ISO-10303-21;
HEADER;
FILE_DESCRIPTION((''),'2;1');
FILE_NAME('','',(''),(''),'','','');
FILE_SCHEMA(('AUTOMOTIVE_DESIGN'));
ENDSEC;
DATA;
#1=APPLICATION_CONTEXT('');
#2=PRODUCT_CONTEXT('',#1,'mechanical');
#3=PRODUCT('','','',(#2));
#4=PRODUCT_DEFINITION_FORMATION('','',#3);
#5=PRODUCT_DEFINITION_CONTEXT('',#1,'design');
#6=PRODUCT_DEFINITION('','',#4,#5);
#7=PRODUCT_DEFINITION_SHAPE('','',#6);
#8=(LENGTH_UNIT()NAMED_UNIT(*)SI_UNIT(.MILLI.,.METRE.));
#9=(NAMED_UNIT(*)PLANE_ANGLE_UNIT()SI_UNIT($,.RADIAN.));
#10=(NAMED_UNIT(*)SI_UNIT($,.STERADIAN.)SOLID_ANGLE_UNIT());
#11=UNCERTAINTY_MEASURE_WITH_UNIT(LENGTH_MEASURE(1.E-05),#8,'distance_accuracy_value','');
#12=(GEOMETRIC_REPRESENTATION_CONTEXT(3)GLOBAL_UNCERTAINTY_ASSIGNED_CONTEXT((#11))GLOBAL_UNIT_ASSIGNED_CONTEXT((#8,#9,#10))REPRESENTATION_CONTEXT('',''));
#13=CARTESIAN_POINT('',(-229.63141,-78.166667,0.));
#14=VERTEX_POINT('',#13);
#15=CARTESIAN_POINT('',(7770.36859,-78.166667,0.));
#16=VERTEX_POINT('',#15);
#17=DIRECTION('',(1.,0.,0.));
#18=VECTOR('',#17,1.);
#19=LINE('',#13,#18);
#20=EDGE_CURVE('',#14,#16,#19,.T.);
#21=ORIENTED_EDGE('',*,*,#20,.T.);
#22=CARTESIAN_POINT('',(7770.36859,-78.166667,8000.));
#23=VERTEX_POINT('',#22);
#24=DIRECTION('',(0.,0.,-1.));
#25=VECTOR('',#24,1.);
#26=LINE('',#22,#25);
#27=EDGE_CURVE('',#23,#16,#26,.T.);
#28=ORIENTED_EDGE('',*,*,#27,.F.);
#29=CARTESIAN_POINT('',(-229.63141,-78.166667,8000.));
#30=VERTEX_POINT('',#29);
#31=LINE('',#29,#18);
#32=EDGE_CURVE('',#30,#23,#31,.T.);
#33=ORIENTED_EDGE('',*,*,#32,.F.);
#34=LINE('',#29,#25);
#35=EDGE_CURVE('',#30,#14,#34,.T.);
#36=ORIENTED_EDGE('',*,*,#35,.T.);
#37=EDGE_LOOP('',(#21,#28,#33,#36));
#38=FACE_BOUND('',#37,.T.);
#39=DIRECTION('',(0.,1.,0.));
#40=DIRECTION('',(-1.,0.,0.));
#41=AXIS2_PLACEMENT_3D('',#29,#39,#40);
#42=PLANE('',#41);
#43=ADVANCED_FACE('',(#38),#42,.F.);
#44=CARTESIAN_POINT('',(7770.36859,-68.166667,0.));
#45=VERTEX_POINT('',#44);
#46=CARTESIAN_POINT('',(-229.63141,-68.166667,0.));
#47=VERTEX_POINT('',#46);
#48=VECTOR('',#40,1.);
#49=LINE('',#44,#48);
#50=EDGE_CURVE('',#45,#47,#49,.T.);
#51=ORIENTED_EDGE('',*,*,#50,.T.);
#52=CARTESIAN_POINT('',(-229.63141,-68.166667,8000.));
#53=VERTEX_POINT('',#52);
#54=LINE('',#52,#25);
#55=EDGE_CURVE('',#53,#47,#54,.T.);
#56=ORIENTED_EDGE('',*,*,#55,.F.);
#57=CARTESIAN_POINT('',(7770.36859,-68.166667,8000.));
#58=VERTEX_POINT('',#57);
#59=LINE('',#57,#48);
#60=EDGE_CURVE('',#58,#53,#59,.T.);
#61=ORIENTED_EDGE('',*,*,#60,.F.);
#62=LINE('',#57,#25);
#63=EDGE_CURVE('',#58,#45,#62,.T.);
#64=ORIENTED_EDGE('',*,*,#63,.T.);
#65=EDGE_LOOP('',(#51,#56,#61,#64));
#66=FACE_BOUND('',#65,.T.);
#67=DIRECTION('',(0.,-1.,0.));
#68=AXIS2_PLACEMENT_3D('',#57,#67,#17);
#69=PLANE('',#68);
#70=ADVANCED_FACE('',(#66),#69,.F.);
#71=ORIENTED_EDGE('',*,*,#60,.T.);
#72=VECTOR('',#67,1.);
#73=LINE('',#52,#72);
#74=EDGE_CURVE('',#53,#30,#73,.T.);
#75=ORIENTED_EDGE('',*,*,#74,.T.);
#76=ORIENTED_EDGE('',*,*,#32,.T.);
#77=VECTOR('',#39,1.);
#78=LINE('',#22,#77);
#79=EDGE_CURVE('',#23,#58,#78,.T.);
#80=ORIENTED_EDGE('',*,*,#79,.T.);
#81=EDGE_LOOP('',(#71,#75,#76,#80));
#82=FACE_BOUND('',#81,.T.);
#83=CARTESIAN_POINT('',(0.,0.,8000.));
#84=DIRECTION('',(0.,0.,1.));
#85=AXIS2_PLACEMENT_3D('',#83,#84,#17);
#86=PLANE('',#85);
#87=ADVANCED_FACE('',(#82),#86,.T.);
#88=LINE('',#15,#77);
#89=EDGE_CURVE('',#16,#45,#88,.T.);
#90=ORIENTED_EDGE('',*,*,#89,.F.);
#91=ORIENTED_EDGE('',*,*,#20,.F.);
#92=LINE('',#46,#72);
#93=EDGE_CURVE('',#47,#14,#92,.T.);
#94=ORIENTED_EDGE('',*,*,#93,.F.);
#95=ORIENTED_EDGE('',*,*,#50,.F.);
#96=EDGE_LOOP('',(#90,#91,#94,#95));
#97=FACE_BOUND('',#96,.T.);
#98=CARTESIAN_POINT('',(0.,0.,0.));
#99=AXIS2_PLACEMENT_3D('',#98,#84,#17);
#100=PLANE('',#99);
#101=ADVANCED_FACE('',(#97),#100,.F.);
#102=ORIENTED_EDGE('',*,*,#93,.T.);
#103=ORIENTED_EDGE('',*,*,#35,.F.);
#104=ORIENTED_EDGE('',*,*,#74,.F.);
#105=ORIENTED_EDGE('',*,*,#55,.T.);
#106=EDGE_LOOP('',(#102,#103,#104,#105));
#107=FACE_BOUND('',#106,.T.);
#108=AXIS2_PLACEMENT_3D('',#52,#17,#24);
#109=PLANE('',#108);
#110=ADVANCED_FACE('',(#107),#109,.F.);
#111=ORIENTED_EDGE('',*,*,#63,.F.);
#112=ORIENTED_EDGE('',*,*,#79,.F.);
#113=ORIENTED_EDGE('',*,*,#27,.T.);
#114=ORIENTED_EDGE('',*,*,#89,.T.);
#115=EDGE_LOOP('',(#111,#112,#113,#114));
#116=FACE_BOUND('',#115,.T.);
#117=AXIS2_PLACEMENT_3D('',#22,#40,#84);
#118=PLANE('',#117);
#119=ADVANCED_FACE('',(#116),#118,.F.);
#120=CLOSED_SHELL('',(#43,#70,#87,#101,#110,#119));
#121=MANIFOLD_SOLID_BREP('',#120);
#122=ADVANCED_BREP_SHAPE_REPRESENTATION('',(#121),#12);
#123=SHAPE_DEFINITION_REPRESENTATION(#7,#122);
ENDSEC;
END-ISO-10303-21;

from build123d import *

# Parameters (mm, degrees)
CROQUIS1_W              = 8000
CROQUIS1_H              = 10
SALIENTE_EXTRUIR1_DEPTH = 8000


with BuildPart() as part:
    # Croquis1 → Saliente-Extruir1 (new body)
    with BuildSketch(Plane.XY):
        with Locations((3770.368589744, -73.166666667)):
            Rectangle(CROQUIS1_W, CROQUIS1_H)
    extrude(amount=SALIENTE_EXTRUIR1_DEPTH)


solid = part.part
